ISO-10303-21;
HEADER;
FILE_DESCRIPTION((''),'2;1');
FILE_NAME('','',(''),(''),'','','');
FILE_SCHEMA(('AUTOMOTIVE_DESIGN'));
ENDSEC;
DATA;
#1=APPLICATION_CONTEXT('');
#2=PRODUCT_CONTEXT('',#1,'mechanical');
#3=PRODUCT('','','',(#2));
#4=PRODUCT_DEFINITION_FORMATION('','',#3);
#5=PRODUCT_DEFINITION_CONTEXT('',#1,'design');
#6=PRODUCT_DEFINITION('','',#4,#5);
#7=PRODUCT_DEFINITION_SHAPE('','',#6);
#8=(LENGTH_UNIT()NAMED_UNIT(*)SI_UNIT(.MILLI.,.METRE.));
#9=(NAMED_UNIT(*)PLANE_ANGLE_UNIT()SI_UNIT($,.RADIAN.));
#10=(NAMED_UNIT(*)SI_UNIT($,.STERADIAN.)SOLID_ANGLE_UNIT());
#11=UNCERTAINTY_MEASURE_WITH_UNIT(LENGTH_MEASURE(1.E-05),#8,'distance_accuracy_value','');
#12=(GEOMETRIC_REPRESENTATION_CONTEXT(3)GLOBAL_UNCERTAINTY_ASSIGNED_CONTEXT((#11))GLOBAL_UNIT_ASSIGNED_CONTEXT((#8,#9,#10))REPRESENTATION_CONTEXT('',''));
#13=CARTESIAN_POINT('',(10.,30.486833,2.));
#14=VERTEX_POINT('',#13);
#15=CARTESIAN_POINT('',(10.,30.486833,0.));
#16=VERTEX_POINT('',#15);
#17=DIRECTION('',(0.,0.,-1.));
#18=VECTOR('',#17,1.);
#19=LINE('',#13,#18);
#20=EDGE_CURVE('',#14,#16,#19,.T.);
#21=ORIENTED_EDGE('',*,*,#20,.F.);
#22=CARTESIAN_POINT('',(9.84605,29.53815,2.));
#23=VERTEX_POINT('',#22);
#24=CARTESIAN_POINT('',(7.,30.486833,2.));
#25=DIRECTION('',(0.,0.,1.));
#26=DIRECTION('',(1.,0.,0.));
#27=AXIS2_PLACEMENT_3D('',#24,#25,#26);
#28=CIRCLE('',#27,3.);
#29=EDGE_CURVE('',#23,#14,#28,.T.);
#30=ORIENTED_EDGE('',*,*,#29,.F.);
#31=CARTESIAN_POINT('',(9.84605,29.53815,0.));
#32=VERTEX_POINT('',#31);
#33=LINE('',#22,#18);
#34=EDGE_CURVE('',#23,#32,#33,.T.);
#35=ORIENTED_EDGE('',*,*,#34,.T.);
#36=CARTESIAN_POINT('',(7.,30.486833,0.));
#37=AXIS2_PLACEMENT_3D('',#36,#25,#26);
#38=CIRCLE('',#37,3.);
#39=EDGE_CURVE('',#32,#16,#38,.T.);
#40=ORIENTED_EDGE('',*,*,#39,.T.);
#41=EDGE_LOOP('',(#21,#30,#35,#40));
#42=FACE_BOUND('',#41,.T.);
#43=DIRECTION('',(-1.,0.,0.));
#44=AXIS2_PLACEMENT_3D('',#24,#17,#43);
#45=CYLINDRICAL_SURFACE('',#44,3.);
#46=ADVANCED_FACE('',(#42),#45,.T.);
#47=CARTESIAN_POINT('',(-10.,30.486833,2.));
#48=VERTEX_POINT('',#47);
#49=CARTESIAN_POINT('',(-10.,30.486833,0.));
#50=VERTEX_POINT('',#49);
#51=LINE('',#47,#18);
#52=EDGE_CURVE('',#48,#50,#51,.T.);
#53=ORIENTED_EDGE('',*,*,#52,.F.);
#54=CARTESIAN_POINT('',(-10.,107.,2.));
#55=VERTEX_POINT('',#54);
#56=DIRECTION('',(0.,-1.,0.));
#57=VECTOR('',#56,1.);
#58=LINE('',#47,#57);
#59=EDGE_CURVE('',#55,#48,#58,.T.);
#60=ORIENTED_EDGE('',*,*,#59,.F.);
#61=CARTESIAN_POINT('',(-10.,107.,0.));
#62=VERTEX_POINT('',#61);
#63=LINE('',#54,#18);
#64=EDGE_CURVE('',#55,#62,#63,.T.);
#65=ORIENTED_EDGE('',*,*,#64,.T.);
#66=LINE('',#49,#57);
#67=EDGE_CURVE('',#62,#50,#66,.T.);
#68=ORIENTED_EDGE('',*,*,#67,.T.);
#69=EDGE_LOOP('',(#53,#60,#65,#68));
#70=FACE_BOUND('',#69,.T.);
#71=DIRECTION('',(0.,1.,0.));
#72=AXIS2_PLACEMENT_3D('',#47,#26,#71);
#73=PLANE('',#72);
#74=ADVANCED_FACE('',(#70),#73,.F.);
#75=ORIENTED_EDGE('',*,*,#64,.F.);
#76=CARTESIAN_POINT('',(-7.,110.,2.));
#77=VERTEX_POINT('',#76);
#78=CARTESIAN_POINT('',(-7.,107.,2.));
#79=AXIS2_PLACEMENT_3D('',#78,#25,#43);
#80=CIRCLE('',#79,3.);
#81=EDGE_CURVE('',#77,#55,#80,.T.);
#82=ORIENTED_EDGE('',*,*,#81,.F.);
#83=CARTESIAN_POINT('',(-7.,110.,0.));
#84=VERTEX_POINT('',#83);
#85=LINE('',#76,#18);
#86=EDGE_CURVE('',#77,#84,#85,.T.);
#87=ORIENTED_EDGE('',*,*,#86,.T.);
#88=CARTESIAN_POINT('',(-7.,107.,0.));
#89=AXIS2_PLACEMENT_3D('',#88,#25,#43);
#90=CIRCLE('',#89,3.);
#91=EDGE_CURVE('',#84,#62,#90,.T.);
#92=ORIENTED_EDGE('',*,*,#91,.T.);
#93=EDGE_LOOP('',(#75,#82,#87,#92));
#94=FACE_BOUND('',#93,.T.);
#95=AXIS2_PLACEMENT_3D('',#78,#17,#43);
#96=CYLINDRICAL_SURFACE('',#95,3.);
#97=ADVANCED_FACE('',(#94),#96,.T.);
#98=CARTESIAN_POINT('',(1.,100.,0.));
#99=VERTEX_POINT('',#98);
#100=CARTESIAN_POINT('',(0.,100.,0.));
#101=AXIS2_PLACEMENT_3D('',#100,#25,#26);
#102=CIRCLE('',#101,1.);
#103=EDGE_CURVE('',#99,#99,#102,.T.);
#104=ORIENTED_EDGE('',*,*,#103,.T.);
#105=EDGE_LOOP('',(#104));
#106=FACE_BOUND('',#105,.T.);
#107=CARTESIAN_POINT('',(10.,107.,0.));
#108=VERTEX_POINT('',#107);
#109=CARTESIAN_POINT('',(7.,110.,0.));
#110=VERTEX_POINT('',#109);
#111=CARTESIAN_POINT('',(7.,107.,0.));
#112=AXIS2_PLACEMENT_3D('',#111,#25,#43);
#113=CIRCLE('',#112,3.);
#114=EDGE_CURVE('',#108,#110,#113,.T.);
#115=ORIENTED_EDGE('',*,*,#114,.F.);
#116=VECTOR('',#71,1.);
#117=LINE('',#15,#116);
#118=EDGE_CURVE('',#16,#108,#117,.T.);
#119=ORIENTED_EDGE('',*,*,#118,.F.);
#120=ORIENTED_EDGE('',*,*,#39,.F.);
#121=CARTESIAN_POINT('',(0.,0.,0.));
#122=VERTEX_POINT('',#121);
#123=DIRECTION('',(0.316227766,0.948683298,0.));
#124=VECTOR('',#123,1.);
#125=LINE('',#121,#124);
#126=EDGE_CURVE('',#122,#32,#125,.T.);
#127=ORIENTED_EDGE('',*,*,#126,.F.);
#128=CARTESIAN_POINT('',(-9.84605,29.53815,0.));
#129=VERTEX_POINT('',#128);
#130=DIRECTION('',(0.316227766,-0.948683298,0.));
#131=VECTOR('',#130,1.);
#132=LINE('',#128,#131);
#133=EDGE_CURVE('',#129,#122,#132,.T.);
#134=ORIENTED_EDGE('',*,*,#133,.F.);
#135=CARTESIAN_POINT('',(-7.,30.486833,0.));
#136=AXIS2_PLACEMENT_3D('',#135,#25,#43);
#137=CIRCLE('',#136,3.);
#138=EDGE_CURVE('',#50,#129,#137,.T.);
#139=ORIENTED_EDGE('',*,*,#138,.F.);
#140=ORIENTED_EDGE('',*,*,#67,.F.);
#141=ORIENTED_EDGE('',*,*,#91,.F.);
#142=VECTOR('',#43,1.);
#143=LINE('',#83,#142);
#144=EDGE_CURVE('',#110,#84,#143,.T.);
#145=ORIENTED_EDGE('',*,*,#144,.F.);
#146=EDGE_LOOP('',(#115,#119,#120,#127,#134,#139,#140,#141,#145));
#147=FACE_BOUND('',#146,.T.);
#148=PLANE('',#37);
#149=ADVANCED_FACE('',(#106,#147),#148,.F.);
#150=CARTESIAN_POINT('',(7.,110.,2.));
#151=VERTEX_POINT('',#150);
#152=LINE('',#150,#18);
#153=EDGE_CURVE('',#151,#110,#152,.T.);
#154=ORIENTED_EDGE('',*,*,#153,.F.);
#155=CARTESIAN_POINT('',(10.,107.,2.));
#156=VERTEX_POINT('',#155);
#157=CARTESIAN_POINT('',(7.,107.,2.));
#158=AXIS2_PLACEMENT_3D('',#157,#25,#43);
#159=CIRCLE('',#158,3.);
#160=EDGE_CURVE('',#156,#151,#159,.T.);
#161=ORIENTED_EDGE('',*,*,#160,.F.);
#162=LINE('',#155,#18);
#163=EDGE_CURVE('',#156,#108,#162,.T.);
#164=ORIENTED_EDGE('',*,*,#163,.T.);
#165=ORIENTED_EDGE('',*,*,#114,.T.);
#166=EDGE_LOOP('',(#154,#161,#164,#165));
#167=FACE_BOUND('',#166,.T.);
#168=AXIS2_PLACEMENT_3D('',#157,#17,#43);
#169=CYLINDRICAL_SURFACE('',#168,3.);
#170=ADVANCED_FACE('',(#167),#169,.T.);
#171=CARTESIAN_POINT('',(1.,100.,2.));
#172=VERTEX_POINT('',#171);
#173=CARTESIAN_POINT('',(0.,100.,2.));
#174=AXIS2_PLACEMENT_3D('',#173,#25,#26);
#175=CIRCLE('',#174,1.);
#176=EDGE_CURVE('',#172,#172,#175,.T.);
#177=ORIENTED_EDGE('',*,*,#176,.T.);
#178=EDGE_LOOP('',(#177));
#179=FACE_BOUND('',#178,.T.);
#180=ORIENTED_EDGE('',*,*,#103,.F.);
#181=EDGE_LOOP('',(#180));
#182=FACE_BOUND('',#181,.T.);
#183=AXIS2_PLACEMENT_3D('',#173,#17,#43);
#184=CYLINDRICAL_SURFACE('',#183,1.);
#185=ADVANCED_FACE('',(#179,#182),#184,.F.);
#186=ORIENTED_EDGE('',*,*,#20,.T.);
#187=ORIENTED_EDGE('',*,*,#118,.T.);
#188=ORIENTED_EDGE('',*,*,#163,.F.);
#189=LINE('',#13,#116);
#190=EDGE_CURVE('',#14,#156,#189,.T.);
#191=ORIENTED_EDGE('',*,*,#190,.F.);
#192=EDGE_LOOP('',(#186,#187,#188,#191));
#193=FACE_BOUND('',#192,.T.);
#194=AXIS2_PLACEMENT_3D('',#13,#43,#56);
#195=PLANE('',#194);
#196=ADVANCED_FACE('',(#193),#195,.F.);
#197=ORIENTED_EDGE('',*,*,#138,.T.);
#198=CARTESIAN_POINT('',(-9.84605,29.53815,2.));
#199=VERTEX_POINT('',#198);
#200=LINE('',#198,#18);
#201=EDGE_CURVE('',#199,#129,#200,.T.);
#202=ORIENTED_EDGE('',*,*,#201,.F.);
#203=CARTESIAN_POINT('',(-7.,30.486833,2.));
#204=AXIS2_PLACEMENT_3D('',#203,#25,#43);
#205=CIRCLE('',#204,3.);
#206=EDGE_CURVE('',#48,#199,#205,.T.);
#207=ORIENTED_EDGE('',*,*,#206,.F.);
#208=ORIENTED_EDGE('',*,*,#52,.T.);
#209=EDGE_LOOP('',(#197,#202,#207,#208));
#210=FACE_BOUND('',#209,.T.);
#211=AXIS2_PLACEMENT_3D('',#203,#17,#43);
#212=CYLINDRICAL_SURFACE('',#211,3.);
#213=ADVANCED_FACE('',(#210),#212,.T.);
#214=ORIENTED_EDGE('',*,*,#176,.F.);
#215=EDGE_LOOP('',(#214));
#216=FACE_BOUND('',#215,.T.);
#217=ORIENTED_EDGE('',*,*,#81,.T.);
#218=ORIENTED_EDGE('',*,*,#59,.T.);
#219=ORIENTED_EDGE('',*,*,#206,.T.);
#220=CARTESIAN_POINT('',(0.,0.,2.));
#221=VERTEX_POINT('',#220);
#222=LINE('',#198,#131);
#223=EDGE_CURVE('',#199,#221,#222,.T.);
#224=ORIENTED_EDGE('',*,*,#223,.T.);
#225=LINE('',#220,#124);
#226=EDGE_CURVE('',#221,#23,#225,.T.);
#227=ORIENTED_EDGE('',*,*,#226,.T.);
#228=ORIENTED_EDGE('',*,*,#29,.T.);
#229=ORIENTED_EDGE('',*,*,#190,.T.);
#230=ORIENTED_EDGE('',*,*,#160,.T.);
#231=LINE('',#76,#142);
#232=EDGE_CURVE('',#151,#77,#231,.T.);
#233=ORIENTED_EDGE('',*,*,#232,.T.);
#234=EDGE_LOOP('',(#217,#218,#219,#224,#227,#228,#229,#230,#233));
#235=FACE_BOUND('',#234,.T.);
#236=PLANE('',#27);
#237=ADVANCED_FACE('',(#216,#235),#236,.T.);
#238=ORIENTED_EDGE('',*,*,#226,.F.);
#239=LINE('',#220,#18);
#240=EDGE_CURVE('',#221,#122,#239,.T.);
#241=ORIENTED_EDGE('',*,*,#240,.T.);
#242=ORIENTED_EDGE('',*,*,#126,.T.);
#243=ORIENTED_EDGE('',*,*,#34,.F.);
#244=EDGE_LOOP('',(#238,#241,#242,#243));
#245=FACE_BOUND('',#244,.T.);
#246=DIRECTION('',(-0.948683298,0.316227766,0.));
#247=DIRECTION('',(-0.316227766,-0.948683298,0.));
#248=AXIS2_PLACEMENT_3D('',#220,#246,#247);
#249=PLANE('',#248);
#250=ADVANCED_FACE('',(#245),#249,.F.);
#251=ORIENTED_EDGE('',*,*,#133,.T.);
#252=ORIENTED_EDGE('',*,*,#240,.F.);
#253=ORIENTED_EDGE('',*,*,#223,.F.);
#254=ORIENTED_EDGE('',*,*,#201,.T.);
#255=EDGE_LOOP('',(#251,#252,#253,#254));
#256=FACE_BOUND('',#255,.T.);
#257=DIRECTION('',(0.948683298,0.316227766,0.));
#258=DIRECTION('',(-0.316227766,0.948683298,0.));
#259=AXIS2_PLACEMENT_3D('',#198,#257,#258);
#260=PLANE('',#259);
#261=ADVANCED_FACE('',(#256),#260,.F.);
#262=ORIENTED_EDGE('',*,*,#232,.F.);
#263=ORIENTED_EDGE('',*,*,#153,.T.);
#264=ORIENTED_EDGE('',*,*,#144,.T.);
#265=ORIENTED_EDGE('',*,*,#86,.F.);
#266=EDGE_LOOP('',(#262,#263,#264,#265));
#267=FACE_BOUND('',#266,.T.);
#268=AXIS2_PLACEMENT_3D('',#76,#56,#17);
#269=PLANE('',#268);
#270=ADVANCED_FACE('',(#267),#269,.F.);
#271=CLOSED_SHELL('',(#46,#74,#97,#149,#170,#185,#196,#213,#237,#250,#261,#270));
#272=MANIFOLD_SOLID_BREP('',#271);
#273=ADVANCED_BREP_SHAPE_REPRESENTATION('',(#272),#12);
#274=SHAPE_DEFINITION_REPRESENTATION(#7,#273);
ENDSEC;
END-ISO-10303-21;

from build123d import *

# Parameters (mm, degrees)
SKETCH1_R           = 1
BOSS_EXTRUDE1_DEPTH = 2


with BuildPart() as part:
    # Sketch1 → Boss-Extrude1 (new body)
    with BuildSketch(Plane.XY):
        with BuildLine():
            Line((0, 0), (9.846049894, 29.538149682))
            ThreePointArc((9.846049894, 29.538149682), (9.961262373, 30.006286251), (10, 30.486832981))
            Line((10, 30.486832981), (10, 107))
            ThreePointArc((10, 107), (9.121320344, 109.121320344), (7, 110))
            Line((7, 110), (-7, 110))
            ThreePointArc((-7, 110), (-9.121320344, 109.121320344), (-10, 107))
            Line((-10, 107), (-10, 30.486832981))
            ThreePointArc((-10, 30.486832981), (-9.961262373, 30.006286251), (-9.846049894, 29.538149682))
            Line((-9.846049894, 29.538149682), (0, 0))
        make_face()
        with Locations((0, 100)):
            Circle(SKETCH1_R, mode=Mode.SUBTRACT)
    extrude(amount=BOSS_EXTRUDE1_DEPTH)


solid = part.part
